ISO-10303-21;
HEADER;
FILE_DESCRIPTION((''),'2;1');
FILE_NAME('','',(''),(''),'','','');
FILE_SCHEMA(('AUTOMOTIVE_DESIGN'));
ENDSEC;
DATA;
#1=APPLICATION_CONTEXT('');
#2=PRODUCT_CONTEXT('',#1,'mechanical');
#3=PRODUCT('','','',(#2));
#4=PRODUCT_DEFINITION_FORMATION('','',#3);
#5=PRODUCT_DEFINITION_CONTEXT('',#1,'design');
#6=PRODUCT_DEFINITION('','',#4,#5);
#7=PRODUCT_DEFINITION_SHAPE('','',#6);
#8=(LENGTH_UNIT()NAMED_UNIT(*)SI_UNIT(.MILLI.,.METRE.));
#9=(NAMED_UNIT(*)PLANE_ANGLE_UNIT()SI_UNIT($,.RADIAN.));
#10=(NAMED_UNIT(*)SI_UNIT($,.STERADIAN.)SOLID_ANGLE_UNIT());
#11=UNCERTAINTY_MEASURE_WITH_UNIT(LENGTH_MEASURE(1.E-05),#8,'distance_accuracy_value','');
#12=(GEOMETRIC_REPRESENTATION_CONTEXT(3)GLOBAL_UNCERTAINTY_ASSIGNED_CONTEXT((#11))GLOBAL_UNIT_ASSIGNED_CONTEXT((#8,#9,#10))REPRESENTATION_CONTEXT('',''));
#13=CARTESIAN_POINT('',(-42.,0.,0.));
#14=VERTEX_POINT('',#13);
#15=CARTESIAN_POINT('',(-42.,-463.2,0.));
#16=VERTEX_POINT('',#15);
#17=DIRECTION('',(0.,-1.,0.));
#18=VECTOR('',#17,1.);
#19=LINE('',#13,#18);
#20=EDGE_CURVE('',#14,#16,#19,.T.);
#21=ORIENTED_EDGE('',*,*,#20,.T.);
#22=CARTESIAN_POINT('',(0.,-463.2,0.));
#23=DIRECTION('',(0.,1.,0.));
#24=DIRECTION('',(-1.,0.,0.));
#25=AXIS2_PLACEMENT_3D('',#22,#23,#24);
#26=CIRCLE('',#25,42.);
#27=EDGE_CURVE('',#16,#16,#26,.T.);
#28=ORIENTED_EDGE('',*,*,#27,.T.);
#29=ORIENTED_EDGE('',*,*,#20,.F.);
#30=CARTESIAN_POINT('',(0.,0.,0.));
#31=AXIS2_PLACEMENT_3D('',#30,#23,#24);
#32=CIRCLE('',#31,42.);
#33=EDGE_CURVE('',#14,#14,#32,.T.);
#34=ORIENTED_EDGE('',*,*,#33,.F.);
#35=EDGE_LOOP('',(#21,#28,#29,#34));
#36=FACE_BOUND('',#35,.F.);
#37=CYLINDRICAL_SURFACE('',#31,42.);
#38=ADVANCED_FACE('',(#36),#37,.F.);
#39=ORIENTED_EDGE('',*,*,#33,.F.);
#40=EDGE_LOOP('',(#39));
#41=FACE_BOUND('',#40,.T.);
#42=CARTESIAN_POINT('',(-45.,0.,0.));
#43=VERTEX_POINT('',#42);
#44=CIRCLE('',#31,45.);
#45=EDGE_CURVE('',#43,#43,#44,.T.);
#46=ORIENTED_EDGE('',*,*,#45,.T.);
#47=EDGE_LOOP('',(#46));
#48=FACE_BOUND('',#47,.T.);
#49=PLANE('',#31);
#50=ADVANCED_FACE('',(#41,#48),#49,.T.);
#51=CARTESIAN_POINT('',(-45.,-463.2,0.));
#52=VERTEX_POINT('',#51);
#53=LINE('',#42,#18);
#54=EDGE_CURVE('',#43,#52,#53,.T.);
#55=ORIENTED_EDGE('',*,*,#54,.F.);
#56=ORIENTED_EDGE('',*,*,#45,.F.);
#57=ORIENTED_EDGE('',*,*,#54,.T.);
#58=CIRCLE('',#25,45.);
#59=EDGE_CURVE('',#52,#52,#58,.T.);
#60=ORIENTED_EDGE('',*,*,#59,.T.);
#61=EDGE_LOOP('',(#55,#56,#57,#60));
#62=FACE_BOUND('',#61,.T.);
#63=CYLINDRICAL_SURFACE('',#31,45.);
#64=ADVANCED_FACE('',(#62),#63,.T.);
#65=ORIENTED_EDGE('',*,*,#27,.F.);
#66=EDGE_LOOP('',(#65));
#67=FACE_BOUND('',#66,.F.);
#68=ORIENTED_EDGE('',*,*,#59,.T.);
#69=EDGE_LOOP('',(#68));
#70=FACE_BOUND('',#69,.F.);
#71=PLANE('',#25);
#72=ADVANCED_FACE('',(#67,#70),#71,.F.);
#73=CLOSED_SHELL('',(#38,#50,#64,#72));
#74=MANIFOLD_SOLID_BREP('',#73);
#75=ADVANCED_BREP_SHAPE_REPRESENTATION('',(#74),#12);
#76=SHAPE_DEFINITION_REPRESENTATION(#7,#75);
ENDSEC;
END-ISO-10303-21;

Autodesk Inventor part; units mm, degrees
ref_plane "YZ Plane" through (0, 0, 0) normal (1, 0, 0) x (0, 1, 0)
ref_plane "XZ Plane" through (0, 0, 0) normal (0, 1, 0) x (-1, 0, 0)
ref_plane "XY Plane" through (0, 0, 0) normal (0, 0, 1) x (1, 0, 0)
sketch "Sketch1" plane through (0, 0, 0) normal (0, 1, 0) x (-1, 0, 0)
  circle A0 centre (0, 0) radius 45
  circle A1 centre (0, 0) radius 42
  dimension "d0" = 90
  dimension "d1" = 3
extrude "Extrusion1" add sketch "Sketch1" against normal blind 463.2
properties part number "TZS 0933 FDS tube 3" material "Steel"
